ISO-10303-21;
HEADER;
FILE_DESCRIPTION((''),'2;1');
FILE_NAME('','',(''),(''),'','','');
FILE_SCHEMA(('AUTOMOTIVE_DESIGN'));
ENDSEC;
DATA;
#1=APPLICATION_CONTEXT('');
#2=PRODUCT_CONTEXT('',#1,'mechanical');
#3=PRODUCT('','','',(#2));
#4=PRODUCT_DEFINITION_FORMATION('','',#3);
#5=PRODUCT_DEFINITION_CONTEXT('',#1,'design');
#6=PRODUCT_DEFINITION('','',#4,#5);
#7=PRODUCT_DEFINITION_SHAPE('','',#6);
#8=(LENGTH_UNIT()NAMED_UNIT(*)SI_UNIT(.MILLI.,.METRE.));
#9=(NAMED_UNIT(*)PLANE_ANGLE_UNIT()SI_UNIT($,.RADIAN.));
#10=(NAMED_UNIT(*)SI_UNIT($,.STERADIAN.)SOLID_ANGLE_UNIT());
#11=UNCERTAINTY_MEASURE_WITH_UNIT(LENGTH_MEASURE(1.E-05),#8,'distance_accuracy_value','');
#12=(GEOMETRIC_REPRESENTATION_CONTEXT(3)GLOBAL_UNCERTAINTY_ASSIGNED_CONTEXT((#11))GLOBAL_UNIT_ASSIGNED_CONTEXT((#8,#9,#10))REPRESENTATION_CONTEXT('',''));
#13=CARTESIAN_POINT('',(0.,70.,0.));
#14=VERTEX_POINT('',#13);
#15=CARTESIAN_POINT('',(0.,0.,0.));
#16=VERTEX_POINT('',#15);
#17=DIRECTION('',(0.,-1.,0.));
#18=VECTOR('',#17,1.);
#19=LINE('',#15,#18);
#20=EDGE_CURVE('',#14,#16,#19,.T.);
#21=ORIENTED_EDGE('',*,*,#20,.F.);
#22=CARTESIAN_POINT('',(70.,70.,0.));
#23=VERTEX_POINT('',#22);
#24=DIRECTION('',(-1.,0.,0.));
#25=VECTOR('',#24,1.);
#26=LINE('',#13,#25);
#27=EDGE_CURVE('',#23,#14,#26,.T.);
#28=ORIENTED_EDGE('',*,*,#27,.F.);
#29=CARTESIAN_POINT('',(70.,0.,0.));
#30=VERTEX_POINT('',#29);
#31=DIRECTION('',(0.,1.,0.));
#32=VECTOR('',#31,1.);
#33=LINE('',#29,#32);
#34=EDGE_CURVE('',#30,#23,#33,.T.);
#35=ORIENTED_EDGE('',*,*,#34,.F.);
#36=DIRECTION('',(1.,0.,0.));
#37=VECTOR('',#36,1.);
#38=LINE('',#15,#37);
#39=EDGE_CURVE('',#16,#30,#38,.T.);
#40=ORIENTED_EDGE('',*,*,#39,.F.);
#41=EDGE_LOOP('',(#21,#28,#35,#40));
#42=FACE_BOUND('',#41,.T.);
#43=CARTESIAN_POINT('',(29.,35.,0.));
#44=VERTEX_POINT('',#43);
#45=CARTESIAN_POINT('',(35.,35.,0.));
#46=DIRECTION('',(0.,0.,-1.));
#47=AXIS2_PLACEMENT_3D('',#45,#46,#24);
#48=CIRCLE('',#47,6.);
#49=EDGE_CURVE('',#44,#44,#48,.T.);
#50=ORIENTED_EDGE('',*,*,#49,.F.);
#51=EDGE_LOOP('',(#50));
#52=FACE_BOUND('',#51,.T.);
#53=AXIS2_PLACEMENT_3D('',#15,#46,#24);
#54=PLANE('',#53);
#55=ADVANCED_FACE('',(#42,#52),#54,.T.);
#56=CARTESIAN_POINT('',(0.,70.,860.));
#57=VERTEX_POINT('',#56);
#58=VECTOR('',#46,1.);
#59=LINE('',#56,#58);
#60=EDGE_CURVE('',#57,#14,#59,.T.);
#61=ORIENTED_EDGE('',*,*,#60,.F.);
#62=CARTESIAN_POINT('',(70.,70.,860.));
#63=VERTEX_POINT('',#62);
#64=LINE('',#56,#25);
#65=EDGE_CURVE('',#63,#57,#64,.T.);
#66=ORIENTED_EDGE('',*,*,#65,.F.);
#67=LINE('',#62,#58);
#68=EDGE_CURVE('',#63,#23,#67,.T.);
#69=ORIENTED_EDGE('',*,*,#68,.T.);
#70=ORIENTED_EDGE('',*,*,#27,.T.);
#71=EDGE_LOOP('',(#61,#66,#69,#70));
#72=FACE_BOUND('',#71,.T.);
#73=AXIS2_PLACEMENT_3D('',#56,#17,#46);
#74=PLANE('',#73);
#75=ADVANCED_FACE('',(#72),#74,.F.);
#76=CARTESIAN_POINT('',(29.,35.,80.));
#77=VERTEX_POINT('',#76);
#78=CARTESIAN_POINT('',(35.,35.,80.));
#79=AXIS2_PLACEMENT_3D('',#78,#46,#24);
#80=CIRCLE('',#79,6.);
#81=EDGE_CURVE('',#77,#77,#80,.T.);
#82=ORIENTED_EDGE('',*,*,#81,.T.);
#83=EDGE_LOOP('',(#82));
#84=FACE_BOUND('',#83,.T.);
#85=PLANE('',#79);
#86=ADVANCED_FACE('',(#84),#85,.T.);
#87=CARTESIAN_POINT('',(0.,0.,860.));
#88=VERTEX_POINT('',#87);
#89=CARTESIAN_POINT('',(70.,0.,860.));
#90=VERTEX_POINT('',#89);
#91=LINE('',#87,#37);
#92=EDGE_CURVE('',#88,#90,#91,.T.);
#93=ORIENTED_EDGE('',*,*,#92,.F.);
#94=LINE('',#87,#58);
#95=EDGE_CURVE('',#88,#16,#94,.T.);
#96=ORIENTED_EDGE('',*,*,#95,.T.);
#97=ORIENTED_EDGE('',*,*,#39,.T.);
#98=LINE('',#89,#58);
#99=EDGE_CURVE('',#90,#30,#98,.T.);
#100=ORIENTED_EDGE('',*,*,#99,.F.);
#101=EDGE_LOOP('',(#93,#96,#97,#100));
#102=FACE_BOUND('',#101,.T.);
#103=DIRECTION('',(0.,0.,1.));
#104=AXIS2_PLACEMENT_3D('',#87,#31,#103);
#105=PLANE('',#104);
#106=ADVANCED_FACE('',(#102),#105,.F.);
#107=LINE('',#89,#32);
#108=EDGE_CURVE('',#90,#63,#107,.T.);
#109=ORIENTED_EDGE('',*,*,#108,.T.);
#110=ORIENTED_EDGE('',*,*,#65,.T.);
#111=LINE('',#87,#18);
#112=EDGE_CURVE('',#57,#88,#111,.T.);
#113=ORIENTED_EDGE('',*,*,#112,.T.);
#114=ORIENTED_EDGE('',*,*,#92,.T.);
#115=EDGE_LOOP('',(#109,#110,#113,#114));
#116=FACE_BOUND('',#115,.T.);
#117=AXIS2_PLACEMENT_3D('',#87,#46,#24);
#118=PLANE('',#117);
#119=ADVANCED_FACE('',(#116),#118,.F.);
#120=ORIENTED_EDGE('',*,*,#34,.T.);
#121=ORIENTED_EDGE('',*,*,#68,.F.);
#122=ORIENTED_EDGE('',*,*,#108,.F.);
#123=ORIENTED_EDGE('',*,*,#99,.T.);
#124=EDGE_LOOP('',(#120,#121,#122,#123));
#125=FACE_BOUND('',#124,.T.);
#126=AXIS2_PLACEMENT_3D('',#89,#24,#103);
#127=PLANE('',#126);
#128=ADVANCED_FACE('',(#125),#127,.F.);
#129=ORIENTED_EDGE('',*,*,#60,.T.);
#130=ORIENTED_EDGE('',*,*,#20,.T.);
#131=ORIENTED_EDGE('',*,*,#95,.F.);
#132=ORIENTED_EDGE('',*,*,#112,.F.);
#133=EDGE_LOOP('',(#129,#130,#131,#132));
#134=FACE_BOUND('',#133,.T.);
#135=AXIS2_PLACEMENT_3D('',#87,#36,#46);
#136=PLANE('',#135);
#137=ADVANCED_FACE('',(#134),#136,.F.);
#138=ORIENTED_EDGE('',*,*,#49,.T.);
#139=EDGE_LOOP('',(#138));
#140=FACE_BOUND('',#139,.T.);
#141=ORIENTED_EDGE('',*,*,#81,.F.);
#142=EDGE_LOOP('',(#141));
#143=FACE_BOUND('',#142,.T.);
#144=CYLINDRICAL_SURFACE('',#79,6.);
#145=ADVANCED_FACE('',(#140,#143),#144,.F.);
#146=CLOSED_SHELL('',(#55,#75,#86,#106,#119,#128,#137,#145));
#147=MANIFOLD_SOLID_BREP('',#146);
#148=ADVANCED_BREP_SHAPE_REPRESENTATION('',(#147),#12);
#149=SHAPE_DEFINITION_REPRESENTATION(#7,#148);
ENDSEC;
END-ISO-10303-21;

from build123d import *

# Parameters (mm, degrees)
ESQUISSE1_W             = 70
ESQUISSE1_H             = 70
BOSS_EXTRU_1_DEPTH      = 860
ESQUISSE2_R             = 6
ENL_V_MAT_EXTRU_1_DEPTH = 80


with BuildPart() as part:
    # Esquisse1 → Boss.-Extru.1 (new body)
    with BuildSketch(Plane.XY):
        with Locations((35, 35)):
            Rectangle(ESQUISSE1_W, ESQUISSE1_H)
    extrude(amount=BOSS_EXTRU_1_DEPTH)

    # Esquisse2 → Enlèv. mat.-Extru.1 (cut)
    with BuildSketch(Plane(origin=(0, 0, 0), x_dir=(-1, 0, 0), z_dir=(0, 0, -1))):
        with Locations((-35, 35)):
            Circle(ESQUISSE2_R)
    extrude(amount=-ENL_V_MAT_EXTRU_1_DEPTH, mode=Mode.SUBTRACT)


solid = part.part
